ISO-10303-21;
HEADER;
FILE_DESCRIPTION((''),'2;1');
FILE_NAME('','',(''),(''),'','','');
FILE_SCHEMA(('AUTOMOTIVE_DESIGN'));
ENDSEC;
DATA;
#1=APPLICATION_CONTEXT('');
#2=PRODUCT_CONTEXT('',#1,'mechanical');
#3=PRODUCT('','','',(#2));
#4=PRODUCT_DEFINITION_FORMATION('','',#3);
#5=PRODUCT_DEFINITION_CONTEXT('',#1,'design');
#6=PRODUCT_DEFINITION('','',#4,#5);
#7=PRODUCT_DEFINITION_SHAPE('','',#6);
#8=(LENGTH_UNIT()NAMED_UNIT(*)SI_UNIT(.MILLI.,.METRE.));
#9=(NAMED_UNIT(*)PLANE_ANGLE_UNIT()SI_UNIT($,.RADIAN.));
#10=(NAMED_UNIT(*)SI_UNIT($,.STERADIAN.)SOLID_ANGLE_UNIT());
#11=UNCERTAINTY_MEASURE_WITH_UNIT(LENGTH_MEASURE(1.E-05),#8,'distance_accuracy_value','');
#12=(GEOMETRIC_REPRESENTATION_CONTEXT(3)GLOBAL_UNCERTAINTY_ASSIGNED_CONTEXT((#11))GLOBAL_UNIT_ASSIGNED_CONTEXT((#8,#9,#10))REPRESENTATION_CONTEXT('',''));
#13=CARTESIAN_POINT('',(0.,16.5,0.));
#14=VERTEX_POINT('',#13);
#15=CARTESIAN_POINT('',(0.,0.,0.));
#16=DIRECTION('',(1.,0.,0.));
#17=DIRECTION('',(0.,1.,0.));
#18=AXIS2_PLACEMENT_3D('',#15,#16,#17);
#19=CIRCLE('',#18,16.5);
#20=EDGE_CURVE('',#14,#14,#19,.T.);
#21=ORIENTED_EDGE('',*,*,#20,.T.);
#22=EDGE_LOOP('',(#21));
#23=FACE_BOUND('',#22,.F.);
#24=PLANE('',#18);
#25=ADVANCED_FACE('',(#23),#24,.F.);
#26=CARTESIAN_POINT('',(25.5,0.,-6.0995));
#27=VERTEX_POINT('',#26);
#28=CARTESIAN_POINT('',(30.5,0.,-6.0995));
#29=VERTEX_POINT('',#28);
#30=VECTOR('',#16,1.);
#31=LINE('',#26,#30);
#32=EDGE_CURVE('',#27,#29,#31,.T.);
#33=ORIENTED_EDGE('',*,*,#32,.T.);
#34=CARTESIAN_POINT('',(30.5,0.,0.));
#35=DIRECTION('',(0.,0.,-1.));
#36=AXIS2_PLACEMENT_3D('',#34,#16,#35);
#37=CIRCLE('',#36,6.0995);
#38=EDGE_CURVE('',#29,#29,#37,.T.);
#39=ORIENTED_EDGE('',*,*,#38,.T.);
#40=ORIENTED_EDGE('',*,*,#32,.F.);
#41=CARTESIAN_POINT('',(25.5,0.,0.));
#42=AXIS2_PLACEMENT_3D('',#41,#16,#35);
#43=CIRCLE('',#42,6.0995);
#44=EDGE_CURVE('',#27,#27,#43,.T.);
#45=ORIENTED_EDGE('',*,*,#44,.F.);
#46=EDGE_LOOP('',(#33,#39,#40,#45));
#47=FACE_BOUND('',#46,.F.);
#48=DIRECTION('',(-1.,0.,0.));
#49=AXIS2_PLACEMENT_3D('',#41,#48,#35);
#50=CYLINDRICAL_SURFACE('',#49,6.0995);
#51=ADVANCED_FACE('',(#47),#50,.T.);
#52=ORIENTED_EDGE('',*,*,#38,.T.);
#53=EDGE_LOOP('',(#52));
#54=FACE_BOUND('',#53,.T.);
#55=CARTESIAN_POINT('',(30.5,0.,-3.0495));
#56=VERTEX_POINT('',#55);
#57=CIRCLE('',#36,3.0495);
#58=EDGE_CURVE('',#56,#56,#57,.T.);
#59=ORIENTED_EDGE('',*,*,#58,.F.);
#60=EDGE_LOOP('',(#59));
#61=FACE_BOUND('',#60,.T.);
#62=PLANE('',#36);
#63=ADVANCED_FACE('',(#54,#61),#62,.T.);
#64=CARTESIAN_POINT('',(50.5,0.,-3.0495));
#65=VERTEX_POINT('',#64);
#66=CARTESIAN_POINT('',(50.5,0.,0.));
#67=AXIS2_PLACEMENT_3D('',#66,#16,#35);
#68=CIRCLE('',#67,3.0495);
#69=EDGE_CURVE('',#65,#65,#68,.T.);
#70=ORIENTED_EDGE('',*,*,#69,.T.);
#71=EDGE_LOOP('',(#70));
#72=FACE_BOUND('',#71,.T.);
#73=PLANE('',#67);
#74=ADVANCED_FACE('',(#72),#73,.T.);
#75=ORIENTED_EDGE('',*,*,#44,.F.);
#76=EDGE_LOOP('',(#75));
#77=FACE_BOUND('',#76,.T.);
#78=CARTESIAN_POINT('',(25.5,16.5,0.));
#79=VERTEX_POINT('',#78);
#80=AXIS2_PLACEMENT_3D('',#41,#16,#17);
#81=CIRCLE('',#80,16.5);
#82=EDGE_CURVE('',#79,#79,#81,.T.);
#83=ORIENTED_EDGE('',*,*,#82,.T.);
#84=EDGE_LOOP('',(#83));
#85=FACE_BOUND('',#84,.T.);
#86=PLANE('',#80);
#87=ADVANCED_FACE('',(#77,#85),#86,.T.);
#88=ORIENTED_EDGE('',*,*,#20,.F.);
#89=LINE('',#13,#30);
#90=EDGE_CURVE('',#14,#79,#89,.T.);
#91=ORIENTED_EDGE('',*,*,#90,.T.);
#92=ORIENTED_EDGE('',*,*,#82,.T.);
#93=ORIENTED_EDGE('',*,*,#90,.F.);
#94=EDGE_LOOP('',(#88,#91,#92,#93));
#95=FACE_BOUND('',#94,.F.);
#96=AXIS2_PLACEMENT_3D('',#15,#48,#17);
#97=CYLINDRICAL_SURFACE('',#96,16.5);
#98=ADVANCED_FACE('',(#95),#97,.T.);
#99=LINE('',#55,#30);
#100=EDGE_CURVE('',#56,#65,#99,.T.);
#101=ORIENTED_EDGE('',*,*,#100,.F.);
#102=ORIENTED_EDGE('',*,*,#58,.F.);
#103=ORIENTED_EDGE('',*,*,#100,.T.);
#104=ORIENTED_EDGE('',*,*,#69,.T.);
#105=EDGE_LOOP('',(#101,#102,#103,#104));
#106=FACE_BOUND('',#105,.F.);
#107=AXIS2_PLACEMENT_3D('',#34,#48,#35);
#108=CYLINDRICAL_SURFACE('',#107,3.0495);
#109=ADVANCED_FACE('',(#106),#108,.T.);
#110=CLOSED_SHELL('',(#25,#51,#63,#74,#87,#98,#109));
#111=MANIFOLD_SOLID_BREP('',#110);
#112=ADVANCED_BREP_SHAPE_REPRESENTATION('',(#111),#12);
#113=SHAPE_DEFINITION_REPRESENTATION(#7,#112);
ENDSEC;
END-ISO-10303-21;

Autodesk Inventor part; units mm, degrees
ref_plane "YZ Plane" through (0, 0, 0) normal (1, 0, 0) x (0, 1, 0)
ref_plane "XZ Plane" through (0, 0, 0) normal (0, 1, 0) x (-1, 0, 0)
ref_plane "XY Plane" through (0, 0, 0) normal (0, 0, 1) x (1, 0, 0)
sketch "Sketch1" plane through (0, 0, 0) normal (1, 0, 0) x (0, 1, 0)
  circle A0 centre (0, 0) radius 16.5
  dimension "d0" = 33
extrude "Plate1" add sketch "Sketch1" along normal blind 25.5
sketch "Sketch2" plane through (25.5, 0, 0) normal (1, 0, 0) x (0, 0, -1)
  circle A0 centre (0, 0) radius 6.0995
  dimension "d2" = 12.199
extrude "Extrusion1" add sketch "Sketch2" along normal blind 5
sketch "Sketch3" plane through (30.5, 0, 0) normal (1, 0, 0) x (0, 0, -1)
  circle A0 centre (0, 0) radius 3.0495
  dimension "d5" = 6.099
extrude "Extrusion2" add sketch "Sketch3" along normal blind 20
equation "\"d1\" = Thickness"
equation "\"BendRadius\" = Thickness"
equation "\"BendReliefWidth\" = Thickness"
equation "\"BendReliefDepth\" = 0.5 * Thickness"
equation "\"CornerReliefSize\" = 4 * Thickness"
equation "\"MinimumRemnant\" = 2 * Thickness"
equation "\"TransitionRadius\" = BendRadius"
equation "\"JacobiRadiusSize\" = BendRadius"
equation "\"GapSize\" = Thickness"
equation "\"Thickness\" = 25.5"
properties part number "Part6dc"
